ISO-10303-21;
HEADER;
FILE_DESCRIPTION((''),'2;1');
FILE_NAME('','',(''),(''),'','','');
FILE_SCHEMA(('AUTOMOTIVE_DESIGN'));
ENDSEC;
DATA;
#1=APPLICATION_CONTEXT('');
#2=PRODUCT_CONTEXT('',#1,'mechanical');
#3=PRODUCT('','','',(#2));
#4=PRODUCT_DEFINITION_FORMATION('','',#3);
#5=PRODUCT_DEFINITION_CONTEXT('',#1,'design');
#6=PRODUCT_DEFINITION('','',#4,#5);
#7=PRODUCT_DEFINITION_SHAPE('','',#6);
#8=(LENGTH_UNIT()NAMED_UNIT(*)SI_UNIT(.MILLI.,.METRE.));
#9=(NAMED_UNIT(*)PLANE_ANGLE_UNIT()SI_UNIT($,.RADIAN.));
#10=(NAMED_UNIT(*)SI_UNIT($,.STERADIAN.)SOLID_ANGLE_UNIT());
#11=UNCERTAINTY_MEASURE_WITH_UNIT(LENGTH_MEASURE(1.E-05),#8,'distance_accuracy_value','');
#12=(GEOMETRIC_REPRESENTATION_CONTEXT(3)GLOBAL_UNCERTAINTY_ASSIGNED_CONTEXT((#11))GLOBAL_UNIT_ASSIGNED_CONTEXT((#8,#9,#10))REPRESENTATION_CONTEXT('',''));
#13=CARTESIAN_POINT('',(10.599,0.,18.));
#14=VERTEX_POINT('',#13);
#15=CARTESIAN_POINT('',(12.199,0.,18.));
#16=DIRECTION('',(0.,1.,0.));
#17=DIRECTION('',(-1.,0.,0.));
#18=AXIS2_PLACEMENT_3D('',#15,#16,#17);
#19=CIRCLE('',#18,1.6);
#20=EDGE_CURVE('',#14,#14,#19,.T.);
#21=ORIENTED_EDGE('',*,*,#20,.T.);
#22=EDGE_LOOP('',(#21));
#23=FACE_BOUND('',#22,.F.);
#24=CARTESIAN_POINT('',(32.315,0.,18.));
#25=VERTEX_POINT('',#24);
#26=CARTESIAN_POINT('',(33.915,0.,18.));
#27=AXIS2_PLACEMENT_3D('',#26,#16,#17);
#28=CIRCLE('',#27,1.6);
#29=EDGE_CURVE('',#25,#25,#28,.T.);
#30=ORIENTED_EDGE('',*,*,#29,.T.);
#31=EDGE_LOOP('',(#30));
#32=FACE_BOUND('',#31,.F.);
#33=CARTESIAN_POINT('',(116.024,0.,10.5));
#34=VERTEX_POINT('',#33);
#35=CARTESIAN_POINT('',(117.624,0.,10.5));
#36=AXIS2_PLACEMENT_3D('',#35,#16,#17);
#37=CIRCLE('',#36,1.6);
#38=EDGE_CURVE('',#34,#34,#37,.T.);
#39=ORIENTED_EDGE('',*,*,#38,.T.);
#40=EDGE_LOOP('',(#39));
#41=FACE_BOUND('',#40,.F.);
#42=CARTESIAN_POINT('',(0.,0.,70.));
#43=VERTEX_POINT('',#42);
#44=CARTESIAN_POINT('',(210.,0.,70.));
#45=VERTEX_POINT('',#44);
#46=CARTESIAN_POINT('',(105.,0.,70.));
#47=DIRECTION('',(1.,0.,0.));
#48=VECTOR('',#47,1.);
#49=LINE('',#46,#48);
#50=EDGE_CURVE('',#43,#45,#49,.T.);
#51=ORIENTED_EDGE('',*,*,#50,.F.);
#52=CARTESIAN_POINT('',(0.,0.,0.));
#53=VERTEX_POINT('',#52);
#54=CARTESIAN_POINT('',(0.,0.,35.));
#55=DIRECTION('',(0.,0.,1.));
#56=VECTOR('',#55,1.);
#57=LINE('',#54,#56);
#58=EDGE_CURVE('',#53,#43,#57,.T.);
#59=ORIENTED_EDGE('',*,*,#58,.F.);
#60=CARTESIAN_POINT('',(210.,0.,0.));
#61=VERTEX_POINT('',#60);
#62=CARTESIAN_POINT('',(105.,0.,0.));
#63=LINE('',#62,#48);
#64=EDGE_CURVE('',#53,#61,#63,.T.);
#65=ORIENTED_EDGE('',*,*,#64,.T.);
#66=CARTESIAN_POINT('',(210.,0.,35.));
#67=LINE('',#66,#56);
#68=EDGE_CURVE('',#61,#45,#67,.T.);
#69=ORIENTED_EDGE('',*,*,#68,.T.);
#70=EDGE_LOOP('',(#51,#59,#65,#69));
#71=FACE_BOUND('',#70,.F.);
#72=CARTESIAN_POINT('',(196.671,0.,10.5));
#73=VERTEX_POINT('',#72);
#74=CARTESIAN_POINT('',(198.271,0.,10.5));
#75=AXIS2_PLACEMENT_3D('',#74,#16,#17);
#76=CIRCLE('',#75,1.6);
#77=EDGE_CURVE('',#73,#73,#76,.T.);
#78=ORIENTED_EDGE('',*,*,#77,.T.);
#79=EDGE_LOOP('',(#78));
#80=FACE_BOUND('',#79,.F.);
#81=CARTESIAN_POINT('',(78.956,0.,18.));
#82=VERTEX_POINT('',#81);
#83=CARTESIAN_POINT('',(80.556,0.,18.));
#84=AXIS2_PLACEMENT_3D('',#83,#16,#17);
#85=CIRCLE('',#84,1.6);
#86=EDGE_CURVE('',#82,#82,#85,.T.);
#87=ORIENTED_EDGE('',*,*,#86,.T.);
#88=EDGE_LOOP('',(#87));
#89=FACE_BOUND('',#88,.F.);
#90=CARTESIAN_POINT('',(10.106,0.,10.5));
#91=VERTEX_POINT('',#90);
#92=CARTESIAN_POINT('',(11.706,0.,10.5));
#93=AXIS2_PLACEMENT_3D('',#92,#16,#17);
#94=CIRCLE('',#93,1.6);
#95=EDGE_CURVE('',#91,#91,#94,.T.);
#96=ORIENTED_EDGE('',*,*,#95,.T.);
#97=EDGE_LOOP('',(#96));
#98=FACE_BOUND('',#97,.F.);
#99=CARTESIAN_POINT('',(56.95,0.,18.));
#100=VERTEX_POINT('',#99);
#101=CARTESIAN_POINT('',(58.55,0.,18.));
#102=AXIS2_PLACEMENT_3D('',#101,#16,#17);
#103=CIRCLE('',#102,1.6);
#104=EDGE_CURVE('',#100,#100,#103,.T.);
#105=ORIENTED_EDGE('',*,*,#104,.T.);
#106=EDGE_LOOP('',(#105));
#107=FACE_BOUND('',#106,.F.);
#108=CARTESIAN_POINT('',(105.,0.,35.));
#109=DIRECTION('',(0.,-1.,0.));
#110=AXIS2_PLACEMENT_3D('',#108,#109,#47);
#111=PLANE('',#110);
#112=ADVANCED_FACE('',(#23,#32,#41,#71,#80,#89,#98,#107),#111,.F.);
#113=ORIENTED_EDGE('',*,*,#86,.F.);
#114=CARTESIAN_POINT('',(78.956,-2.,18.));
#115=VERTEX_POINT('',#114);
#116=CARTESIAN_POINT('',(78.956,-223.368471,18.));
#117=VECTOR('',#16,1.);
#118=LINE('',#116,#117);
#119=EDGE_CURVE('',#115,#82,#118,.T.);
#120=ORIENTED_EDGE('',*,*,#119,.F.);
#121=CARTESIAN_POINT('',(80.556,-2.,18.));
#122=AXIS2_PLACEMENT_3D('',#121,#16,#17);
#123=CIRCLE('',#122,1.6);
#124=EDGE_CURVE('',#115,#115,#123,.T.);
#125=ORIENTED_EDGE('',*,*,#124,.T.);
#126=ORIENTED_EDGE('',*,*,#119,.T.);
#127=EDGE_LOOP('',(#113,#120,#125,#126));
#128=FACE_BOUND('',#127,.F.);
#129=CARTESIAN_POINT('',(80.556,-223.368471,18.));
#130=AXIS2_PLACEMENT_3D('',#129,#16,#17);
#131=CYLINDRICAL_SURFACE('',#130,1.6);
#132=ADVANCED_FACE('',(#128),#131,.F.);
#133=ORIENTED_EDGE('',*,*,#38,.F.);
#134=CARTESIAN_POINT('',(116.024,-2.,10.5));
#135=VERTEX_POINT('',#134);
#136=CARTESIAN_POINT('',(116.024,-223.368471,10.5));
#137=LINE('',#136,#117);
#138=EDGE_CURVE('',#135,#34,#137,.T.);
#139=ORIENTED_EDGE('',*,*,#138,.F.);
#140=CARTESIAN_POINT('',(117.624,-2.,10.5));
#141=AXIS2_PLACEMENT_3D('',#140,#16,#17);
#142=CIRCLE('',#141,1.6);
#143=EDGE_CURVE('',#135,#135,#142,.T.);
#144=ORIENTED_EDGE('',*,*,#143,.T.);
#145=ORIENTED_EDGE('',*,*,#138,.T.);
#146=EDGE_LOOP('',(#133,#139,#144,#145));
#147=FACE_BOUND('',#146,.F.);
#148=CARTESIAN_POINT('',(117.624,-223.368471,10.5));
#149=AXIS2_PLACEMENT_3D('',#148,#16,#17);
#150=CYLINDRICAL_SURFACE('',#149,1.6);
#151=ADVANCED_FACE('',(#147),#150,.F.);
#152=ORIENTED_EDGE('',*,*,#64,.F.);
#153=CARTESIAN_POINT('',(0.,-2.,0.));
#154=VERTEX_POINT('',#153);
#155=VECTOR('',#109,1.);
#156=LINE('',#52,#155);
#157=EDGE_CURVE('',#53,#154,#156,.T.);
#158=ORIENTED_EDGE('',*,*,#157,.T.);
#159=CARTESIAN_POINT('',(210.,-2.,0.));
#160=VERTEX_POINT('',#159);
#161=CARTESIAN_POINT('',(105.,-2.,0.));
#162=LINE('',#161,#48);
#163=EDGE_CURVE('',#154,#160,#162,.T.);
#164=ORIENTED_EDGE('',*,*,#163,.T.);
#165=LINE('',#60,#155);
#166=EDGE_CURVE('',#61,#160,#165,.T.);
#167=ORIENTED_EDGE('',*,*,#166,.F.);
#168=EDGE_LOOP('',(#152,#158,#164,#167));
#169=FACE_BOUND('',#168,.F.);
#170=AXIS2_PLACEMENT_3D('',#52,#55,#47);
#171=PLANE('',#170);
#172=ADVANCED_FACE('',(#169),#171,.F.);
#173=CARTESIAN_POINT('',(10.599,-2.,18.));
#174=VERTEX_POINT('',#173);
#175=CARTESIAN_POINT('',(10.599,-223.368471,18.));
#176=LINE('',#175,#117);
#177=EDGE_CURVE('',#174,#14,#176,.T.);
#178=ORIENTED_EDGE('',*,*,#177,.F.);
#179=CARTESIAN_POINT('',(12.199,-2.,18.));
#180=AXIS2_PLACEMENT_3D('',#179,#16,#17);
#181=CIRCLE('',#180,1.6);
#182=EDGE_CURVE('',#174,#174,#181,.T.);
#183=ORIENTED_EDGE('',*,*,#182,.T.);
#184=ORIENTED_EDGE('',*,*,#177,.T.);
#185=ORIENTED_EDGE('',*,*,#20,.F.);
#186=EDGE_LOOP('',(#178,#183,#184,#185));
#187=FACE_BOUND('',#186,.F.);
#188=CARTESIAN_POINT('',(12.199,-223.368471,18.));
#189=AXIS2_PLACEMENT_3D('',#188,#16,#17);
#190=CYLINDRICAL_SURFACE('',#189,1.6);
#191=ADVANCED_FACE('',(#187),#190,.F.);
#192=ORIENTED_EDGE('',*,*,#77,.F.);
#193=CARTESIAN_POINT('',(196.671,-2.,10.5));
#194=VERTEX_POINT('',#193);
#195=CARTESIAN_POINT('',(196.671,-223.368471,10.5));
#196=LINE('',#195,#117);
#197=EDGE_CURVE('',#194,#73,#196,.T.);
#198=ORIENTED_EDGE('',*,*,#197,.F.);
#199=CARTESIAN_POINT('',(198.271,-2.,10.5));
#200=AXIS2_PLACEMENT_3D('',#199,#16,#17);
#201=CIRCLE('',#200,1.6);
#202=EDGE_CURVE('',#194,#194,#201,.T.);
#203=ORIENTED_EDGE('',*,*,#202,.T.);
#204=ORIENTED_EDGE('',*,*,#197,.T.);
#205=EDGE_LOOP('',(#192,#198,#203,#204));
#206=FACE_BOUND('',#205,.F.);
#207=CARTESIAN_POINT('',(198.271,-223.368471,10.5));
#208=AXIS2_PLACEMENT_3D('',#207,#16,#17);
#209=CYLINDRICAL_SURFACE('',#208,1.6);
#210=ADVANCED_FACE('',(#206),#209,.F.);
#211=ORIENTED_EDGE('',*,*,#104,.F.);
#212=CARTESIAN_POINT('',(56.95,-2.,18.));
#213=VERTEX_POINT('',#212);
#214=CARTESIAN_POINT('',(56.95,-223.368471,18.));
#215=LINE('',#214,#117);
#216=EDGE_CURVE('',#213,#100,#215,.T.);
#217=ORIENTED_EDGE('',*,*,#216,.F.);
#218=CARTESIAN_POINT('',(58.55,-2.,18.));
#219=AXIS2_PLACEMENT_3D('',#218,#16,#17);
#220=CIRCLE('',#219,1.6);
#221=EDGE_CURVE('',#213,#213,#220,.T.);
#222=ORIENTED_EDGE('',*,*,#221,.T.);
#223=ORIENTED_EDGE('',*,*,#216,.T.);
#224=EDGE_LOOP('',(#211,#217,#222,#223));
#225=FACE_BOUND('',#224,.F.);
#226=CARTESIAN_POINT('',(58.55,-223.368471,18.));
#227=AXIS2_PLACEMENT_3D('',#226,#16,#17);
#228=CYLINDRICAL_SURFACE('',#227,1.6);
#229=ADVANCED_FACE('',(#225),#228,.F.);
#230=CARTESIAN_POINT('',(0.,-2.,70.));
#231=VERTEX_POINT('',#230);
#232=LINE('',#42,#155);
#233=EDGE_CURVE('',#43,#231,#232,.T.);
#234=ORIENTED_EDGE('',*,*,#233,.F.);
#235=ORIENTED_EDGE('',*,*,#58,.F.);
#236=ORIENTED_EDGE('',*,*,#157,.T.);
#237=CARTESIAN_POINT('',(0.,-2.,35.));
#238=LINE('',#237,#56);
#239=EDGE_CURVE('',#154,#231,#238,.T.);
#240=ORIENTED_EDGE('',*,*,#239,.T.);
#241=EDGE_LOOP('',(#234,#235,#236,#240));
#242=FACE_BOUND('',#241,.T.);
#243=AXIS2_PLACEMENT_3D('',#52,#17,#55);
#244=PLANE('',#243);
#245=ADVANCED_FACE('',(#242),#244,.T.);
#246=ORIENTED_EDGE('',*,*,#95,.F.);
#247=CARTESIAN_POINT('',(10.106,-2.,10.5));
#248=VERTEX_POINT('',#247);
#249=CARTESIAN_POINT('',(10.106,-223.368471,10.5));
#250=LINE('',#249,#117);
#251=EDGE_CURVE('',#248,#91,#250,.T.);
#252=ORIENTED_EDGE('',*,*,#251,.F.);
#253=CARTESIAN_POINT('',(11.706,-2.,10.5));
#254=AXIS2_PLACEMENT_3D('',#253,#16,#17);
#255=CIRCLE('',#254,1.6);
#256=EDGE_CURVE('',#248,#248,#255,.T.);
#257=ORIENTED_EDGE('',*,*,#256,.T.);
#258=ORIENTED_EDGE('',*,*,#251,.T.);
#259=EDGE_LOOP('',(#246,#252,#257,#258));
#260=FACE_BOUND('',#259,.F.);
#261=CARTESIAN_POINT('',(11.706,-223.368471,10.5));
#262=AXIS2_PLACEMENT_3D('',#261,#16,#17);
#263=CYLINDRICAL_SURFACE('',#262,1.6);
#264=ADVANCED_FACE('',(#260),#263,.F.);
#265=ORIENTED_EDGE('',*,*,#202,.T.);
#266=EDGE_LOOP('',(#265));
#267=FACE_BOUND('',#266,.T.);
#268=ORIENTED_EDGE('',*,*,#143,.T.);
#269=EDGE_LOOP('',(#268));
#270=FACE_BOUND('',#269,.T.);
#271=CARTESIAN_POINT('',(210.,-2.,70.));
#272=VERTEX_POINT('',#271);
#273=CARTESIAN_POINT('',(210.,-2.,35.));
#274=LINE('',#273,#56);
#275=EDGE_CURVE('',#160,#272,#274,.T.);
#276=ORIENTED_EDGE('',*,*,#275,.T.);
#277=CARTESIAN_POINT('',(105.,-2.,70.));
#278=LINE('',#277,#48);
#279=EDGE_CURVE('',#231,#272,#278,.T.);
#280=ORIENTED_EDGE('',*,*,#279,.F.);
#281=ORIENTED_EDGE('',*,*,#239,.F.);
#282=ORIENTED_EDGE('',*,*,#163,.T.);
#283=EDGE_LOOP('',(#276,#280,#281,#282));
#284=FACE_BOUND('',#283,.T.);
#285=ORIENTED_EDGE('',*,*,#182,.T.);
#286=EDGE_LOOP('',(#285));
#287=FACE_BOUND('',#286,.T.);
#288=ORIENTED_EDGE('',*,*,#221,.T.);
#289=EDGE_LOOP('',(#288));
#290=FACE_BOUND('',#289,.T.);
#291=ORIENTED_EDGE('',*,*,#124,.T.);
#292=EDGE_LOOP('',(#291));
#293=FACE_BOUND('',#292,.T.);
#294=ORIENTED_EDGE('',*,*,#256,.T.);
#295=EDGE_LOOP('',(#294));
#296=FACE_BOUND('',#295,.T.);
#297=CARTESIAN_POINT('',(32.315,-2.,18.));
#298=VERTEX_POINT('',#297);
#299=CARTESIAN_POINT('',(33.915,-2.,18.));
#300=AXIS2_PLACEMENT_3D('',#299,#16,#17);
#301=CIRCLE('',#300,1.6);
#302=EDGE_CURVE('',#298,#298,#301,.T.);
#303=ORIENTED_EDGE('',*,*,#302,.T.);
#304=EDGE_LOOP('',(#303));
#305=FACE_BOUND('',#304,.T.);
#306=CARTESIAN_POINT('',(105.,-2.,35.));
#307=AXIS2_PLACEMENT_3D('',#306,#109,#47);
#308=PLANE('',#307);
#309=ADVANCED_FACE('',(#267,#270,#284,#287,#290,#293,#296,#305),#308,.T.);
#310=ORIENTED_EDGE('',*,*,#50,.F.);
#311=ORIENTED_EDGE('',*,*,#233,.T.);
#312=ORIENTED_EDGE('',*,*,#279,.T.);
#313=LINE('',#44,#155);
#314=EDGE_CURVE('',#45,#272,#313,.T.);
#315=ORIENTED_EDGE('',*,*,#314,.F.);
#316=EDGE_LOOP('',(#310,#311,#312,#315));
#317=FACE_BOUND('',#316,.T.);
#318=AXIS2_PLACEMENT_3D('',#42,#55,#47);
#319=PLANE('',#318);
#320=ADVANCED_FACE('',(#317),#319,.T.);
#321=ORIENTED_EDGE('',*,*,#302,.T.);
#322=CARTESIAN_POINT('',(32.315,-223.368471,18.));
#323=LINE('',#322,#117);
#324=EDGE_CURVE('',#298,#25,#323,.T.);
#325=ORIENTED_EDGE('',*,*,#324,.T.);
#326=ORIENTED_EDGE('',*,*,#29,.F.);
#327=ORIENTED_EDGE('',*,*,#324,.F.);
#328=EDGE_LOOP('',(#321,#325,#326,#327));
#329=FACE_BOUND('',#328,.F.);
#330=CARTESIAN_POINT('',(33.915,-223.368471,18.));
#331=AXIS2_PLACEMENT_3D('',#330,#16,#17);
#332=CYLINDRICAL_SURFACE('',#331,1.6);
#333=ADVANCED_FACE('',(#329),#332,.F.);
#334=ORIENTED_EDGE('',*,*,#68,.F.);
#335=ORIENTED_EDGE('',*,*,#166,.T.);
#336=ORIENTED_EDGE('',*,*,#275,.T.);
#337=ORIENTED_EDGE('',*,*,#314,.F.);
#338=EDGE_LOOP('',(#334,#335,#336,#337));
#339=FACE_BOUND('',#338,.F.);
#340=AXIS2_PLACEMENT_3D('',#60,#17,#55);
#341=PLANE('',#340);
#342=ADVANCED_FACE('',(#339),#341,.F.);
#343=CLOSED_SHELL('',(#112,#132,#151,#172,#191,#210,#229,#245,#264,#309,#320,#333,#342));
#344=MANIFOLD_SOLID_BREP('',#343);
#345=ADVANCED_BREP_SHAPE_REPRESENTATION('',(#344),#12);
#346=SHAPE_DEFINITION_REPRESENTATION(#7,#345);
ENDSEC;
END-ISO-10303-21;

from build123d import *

# Parameters (mm, degrees)
F0_W     = 210
F0_H     = 70
F1_DEPTH = 2
F3_D     = 3.2


with BuildPart() as f1:
    # F0 (on Front) → F1 (new body)
    with BuildSketch(Plane.XZ):
        with Locations((105, 35)):
            Rectangle(F0_W, F0_H)
    extrude(amount=F1_DEPTH)

    # F3 (through all)
    with Locations(Plane.XZ.offset(2)):
        with Locations((12.199, 18), (11.706, 10.5), (33.915, 18), (58.55, 18), (80.556, 18), (117.624, 10.5), (198.271, 10.5)):
            Hole(F3_D / 2)


solid = f1.part
